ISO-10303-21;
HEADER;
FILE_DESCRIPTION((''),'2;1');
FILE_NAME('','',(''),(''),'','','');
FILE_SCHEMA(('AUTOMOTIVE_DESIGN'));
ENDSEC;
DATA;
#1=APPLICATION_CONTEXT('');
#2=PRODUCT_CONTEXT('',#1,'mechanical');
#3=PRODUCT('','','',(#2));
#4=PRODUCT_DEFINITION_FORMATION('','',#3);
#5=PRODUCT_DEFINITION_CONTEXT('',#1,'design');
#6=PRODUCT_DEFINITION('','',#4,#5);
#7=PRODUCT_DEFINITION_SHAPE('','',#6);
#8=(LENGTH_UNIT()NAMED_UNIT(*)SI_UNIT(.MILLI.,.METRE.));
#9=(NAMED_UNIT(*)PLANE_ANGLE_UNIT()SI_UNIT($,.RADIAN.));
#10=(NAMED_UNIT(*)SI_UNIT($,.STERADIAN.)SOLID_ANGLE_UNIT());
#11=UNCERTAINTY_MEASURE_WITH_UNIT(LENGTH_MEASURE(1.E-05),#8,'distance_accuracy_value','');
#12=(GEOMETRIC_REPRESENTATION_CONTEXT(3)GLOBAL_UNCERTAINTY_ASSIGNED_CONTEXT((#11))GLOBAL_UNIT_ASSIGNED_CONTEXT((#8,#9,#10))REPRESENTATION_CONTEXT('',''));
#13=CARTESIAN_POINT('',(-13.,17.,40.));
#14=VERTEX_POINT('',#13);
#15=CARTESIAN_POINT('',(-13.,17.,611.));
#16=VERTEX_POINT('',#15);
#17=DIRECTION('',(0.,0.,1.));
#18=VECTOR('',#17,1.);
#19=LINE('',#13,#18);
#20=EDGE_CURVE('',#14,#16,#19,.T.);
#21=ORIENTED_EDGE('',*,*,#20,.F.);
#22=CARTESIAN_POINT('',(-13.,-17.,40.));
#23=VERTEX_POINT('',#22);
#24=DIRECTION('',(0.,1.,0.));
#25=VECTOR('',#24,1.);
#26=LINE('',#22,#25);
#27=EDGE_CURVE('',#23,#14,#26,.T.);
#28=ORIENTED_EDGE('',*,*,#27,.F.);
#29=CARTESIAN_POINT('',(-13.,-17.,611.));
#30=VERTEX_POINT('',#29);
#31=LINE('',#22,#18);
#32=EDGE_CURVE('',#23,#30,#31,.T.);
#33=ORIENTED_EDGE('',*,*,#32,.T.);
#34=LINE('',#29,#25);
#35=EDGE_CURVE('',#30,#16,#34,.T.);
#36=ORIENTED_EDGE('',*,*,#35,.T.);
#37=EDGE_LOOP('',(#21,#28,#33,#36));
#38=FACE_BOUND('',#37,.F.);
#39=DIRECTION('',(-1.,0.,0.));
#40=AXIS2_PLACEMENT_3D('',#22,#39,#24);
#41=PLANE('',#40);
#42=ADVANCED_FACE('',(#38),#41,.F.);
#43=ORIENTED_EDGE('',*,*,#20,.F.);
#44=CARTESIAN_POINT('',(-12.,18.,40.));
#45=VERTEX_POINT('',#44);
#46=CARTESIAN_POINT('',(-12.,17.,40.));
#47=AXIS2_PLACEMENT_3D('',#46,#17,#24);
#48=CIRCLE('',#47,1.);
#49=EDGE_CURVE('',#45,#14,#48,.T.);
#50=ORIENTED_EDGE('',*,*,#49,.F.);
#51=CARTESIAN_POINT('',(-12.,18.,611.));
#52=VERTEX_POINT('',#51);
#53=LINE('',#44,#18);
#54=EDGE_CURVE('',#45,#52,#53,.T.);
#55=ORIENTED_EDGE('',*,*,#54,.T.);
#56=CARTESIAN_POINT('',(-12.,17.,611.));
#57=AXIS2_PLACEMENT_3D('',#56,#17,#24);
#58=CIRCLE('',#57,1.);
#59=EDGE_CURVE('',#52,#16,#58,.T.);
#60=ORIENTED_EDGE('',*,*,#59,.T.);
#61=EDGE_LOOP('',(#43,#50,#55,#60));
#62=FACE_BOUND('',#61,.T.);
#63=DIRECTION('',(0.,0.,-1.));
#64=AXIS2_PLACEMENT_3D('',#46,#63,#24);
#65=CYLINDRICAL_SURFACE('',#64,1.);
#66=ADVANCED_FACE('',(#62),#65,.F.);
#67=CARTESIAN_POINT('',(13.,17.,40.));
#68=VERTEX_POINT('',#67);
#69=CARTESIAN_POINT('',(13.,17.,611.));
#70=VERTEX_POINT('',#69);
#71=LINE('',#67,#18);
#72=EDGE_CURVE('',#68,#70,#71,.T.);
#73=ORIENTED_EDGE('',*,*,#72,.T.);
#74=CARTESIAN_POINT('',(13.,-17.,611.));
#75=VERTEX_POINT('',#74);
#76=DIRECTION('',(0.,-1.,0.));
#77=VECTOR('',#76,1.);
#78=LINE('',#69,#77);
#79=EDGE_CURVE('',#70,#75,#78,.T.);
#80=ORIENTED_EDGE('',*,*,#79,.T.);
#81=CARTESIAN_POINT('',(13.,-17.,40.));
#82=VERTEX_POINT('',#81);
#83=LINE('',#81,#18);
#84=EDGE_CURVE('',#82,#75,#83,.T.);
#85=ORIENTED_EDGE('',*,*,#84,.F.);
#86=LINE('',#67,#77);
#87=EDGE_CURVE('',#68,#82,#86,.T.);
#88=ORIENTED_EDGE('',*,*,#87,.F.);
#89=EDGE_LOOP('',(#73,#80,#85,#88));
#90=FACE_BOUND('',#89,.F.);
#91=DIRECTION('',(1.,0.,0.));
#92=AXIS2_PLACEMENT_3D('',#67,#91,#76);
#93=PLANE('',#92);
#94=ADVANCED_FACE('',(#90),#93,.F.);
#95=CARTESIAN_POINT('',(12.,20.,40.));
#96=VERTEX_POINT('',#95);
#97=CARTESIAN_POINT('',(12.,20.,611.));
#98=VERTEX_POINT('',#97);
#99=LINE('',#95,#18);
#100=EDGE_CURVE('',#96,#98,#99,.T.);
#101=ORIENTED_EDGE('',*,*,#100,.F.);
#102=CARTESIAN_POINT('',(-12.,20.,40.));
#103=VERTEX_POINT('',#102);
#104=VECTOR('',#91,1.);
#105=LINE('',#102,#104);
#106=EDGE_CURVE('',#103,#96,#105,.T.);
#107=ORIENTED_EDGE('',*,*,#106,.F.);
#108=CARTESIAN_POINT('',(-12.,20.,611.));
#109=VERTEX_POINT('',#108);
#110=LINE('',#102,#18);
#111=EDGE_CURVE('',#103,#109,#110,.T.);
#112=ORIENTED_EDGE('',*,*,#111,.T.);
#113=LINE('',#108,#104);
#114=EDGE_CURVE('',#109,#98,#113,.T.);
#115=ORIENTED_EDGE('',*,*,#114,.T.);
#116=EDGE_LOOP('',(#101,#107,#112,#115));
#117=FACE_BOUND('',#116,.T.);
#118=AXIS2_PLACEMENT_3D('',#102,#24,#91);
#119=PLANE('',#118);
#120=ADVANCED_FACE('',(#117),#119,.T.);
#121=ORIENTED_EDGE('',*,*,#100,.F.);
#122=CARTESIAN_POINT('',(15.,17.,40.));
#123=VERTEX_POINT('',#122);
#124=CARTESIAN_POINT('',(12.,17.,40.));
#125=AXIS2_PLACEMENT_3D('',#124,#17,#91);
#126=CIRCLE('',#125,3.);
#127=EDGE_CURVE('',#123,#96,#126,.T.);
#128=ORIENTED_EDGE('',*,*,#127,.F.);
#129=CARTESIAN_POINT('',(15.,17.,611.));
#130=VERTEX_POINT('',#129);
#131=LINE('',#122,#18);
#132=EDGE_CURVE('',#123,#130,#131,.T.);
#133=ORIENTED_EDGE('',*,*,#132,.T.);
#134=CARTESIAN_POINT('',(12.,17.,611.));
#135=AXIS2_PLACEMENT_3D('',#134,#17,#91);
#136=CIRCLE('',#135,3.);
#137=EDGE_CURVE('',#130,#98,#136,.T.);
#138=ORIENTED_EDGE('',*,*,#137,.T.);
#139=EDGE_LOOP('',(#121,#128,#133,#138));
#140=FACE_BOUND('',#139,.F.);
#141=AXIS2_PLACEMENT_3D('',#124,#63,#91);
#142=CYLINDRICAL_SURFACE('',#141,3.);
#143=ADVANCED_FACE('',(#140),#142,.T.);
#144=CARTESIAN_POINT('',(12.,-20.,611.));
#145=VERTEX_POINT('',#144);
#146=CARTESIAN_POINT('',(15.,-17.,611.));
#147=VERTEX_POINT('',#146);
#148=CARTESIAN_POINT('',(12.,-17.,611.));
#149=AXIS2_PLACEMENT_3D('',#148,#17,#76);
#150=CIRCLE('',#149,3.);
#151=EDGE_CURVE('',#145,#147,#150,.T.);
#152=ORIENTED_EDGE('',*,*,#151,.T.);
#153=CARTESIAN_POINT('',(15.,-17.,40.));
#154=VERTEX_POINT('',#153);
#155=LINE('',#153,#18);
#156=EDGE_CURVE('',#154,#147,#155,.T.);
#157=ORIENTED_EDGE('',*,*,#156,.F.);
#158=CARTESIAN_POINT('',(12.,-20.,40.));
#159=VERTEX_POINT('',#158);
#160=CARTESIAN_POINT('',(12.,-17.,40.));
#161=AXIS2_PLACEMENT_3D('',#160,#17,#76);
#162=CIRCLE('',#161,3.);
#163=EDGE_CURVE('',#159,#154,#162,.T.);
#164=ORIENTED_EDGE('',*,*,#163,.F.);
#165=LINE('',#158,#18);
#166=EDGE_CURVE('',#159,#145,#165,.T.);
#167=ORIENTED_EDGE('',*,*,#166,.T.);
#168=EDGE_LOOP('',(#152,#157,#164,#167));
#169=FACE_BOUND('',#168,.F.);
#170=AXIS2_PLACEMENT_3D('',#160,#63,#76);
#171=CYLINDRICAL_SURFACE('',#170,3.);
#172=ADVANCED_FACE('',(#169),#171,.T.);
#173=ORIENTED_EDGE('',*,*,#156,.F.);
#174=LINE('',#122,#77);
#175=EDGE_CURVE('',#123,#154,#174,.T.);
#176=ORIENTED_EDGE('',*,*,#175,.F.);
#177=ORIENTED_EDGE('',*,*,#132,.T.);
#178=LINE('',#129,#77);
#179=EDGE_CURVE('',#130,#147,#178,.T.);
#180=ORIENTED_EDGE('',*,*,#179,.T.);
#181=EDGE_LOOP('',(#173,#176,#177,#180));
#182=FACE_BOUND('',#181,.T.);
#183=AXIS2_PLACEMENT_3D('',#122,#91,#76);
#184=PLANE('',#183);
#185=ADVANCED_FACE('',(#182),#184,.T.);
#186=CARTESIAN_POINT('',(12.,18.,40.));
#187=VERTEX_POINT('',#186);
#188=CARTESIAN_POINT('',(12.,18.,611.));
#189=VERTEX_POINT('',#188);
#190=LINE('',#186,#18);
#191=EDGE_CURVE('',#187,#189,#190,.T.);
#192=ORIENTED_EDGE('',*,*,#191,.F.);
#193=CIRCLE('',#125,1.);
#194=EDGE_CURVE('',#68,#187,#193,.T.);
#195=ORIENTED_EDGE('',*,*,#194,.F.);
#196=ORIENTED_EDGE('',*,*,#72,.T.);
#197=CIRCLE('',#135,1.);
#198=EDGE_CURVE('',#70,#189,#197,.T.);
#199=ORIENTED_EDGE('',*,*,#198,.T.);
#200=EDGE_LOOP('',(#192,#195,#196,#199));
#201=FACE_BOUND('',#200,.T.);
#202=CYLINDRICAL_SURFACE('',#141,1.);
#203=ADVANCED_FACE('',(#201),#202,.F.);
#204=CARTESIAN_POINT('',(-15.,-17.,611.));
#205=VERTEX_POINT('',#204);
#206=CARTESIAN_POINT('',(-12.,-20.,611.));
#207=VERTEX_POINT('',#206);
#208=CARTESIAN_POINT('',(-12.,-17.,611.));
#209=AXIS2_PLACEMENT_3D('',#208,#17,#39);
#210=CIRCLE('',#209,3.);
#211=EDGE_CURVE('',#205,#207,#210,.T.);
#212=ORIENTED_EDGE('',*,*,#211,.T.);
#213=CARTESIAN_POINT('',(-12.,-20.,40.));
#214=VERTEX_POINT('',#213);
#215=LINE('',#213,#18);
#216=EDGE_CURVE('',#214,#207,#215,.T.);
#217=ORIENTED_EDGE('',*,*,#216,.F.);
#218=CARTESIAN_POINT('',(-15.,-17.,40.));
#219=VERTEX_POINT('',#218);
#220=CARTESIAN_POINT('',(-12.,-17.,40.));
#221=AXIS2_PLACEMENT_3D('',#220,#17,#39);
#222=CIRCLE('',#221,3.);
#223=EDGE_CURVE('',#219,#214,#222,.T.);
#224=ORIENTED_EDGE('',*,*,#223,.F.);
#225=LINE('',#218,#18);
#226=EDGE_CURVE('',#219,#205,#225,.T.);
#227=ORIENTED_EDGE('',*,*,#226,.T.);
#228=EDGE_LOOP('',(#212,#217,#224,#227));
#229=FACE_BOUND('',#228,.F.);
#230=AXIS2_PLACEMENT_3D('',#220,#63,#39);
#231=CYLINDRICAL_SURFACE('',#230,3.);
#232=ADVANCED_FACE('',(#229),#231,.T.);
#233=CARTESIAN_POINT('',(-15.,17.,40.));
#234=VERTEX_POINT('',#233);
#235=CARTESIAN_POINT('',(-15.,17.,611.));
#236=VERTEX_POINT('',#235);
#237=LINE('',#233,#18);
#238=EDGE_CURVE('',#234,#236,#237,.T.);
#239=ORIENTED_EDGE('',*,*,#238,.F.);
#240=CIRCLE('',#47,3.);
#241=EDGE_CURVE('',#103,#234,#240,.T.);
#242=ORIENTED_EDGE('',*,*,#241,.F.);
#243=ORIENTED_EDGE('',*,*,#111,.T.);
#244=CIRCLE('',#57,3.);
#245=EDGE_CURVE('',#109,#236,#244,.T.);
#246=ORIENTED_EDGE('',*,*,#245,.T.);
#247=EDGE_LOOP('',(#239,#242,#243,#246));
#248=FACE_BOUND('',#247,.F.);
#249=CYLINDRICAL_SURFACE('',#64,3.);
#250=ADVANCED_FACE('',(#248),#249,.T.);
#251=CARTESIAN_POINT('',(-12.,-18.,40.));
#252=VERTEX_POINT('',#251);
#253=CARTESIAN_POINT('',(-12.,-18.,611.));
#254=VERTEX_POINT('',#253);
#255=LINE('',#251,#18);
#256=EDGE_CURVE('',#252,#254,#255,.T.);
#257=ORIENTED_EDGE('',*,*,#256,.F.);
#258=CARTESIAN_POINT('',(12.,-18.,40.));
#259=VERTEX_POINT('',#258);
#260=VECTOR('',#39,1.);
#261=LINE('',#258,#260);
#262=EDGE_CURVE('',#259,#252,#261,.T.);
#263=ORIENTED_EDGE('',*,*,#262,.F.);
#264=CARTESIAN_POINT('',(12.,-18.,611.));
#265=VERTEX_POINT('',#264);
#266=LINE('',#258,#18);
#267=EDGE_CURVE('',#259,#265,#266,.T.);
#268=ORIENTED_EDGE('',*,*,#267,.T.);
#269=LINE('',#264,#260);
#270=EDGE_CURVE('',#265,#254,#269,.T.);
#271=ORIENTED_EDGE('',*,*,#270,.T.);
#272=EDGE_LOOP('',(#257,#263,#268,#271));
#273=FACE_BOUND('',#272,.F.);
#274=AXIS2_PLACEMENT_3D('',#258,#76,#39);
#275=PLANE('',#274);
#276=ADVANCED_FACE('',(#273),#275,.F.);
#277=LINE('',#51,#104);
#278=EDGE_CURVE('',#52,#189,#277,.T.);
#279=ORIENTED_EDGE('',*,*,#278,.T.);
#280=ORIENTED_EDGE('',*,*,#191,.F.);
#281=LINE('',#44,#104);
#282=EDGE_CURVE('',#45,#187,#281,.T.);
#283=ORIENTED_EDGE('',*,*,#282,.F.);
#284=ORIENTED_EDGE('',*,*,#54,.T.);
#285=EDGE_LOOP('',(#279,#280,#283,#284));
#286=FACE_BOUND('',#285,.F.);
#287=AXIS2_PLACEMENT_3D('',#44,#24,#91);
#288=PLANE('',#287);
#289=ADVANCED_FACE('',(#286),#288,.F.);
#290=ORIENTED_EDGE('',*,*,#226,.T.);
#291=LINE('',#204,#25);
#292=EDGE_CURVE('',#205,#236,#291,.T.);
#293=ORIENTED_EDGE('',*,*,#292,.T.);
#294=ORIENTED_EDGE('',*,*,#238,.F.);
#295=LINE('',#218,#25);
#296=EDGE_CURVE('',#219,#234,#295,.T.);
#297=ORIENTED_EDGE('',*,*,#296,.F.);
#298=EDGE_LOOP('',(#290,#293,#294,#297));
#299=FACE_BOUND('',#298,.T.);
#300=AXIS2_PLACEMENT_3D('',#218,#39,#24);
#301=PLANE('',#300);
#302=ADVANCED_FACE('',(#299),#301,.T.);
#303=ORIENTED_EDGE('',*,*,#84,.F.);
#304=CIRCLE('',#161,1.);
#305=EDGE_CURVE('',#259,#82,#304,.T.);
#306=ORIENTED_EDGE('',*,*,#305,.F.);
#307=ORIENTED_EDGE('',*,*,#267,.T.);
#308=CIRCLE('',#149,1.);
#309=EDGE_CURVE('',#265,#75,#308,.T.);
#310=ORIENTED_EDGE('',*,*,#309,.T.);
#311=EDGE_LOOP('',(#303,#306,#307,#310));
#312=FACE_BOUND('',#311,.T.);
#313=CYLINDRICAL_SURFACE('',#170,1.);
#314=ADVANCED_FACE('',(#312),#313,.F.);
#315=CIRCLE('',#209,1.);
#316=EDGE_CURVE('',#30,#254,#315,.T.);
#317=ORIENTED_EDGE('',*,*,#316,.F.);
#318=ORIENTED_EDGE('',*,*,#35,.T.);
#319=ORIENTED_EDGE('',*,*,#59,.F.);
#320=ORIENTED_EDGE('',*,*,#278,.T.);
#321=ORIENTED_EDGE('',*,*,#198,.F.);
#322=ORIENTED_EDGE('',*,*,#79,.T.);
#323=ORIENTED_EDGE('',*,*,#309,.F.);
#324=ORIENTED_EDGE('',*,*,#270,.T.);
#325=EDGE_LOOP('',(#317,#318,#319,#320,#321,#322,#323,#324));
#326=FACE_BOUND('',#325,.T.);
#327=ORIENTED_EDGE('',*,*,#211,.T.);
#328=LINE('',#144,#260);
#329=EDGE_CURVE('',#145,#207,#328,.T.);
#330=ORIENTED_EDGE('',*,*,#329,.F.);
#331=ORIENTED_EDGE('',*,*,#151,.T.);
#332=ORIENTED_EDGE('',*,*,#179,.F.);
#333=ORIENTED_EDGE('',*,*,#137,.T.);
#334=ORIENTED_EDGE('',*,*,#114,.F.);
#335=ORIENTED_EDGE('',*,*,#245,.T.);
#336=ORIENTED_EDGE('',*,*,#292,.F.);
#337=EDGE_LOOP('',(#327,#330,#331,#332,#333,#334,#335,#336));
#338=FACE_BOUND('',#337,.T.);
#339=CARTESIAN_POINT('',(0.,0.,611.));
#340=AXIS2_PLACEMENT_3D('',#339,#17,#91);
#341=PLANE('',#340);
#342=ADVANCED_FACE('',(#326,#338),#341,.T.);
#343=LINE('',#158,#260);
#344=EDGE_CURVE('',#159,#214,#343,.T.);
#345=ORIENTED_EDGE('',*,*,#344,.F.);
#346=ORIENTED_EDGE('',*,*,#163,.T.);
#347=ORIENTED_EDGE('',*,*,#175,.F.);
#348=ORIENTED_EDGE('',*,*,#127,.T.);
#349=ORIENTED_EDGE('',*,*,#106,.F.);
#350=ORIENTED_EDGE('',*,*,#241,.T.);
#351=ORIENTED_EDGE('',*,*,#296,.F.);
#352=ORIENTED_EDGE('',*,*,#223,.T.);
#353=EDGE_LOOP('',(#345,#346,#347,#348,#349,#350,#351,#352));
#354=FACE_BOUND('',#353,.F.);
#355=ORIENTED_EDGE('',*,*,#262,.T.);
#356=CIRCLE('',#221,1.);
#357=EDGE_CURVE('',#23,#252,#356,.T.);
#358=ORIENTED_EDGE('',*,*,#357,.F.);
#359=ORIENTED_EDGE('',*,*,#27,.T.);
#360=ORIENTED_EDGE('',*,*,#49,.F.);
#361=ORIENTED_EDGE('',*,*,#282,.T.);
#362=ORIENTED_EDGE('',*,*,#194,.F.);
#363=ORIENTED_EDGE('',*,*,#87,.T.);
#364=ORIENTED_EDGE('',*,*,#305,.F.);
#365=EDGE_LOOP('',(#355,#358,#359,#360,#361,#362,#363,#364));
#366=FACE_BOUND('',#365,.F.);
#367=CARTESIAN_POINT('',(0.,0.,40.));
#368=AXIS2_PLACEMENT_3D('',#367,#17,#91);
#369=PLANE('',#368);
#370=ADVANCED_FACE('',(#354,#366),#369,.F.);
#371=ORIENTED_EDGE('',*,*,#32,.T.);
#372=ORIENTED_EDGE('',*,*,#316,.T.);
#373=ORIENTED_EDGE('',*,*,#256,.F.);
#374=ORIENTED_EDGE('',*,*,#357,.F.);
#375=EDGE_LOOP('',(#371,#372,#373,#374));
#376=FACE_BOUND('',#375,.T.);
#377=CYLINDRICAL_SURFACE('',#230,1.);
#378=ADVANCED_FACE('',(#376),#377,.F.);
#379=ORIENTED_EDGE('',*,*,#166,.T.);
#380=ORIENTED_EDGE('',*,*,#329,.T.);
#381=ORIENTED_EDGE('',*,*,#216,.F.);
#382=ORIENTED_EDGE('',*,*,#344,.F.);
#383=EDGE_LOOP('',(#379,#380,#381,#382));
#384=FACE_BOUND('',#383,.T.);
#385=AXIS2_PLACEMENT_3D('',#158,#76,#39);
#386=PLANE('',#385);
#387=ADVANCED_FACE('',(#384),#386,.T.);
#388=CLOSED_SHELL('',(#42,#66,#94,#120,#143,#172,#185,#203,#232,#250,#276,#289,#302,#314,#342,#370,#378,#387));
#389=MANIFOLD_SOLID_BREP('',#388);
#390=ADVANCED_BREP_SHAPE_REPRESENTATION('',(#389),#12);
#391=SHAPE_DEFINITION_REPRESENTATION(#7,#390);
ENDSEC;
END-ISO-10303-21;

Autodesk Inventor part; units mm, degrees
ref_plane "Start plane" through (0, 0, 40) normal (0, 0, 1) x (1, 0, 0)
ref_plane "End plane" through (0, 0, 611) normal (0, 0, 1) x (1, 0, 0)
sketch "Sketch" plane through (0, 0, 0) normal (0, 0, 1) x (1, 0, 0)
  line L0 (-15, -17) -> (-15, 17)
  line L1 (-12, 20) -> (12, 20)
  line L2 (15, 17) -> (15, -17)
  line L3 (12, -20) -> (-12, -20)
  arc A0 (-15, -17) -> (-12, -20) centre (-12, -17) ccw
  arc A1 (-12, 20) -> (-15, 17) centre (-12, 17) ccw
  arc A2 (15, 17) -> (12, 20) centre (12, 17) ccw
  arc A3 (12, -20) -> (15, -17) centre (12, -17) ccw
  arc A4 (-12, 18) -> (-13, 17) centre (-12, 17) ccw
  line L4 (-12, 18) -> (12, 18)
  arc A5 (13, 17) -> (12, 18) centre (12, 17) ccw
  line L5 (13, 17) -> (13, -17)
  arc A6 (12, -18) -> (13, -17) centre (12, -17) ccw
  line L6 (12, -18) -> (-12, -18)
  arc A7 (-13, -17) -> (-12, -18) centre (-12, -17) ccw
  line L7 (-13, -17) -> (-13, 17)
  line L8 (0, 28.8698) -> (0, -28.8698) construction
  line L9 (-14.8698, 0) -> (14.8698, 0) construction
  dimension "d7" = 3
  dimension "d10" = 40
  dimension "d11" = 30
  dimension "d12" = 2
  dimension "d15" = 20
  dimension "d16" = 15
extrude "Body" add sketch "Sketch" along normal up to surface (571 mm away) from surface at 40
sketch "Sketch3" plane through (0, 0, 0) normal (0, 0, 1) x (1, 0, 0)
  line L0 (0, 0) -> (10, 0)
ref_plane "Work Plane3" through (0, 0, 0) normal (0, -1, 0) x (1, 0, 0)
sketch "Sketch4" plane through (0, 0, 0) normal (0, -1, 0) x (1, 0, 0)
  line L0 (-2, 40) -> (12, 40)
  line L1 (-2, 611) -> (12, 611)
  dimension "d18" = 571
ref_plane "Work Plane4" through (7, -310, 40) normal (0, 0, -1) x (-1, 0, 0)
split "Split1" plane through (7, -310, 40) removes the side toward (0, 0, -1)
ref_plane "Work Plane5" through (-37, -100, 611) normal (0, 0, 1) x (1, 0, 0)
split "Split2" plane through (-37, -100, 611) removes the side toward (0, 0, 1)
equation "\"d7\" = G_IR"
equation "\"d10\" = G_H"
equation "\"d11\" = G_W"
equation "\"d12\" = G_T"
equation "\"d15\" = 0.5 * d10"
equation "\"d16\" = 0.5 * d11"
equation "\"d3\" = G_L"
equation "\"G_W\" = 30"
equation "\"G_H\" = 40"
equation "\"G_T\" = 2"
equation "\"G_IR\" = 3"
equation "\"G_L\" = d18"
equation "\"G_OFFSET_START\" = -40"
equation "\"G_OFFSET_END\" = -40"
equation "\"d13\" = -G_OFFSET_START"
equation "\"d14\" = G_OFFSET_END + B_L"
equation "\"B_L\" = 651"
properties part number "UNI EN 10305-5 - 40 x 30 x 2  - 571" material "Steel, Mild"
